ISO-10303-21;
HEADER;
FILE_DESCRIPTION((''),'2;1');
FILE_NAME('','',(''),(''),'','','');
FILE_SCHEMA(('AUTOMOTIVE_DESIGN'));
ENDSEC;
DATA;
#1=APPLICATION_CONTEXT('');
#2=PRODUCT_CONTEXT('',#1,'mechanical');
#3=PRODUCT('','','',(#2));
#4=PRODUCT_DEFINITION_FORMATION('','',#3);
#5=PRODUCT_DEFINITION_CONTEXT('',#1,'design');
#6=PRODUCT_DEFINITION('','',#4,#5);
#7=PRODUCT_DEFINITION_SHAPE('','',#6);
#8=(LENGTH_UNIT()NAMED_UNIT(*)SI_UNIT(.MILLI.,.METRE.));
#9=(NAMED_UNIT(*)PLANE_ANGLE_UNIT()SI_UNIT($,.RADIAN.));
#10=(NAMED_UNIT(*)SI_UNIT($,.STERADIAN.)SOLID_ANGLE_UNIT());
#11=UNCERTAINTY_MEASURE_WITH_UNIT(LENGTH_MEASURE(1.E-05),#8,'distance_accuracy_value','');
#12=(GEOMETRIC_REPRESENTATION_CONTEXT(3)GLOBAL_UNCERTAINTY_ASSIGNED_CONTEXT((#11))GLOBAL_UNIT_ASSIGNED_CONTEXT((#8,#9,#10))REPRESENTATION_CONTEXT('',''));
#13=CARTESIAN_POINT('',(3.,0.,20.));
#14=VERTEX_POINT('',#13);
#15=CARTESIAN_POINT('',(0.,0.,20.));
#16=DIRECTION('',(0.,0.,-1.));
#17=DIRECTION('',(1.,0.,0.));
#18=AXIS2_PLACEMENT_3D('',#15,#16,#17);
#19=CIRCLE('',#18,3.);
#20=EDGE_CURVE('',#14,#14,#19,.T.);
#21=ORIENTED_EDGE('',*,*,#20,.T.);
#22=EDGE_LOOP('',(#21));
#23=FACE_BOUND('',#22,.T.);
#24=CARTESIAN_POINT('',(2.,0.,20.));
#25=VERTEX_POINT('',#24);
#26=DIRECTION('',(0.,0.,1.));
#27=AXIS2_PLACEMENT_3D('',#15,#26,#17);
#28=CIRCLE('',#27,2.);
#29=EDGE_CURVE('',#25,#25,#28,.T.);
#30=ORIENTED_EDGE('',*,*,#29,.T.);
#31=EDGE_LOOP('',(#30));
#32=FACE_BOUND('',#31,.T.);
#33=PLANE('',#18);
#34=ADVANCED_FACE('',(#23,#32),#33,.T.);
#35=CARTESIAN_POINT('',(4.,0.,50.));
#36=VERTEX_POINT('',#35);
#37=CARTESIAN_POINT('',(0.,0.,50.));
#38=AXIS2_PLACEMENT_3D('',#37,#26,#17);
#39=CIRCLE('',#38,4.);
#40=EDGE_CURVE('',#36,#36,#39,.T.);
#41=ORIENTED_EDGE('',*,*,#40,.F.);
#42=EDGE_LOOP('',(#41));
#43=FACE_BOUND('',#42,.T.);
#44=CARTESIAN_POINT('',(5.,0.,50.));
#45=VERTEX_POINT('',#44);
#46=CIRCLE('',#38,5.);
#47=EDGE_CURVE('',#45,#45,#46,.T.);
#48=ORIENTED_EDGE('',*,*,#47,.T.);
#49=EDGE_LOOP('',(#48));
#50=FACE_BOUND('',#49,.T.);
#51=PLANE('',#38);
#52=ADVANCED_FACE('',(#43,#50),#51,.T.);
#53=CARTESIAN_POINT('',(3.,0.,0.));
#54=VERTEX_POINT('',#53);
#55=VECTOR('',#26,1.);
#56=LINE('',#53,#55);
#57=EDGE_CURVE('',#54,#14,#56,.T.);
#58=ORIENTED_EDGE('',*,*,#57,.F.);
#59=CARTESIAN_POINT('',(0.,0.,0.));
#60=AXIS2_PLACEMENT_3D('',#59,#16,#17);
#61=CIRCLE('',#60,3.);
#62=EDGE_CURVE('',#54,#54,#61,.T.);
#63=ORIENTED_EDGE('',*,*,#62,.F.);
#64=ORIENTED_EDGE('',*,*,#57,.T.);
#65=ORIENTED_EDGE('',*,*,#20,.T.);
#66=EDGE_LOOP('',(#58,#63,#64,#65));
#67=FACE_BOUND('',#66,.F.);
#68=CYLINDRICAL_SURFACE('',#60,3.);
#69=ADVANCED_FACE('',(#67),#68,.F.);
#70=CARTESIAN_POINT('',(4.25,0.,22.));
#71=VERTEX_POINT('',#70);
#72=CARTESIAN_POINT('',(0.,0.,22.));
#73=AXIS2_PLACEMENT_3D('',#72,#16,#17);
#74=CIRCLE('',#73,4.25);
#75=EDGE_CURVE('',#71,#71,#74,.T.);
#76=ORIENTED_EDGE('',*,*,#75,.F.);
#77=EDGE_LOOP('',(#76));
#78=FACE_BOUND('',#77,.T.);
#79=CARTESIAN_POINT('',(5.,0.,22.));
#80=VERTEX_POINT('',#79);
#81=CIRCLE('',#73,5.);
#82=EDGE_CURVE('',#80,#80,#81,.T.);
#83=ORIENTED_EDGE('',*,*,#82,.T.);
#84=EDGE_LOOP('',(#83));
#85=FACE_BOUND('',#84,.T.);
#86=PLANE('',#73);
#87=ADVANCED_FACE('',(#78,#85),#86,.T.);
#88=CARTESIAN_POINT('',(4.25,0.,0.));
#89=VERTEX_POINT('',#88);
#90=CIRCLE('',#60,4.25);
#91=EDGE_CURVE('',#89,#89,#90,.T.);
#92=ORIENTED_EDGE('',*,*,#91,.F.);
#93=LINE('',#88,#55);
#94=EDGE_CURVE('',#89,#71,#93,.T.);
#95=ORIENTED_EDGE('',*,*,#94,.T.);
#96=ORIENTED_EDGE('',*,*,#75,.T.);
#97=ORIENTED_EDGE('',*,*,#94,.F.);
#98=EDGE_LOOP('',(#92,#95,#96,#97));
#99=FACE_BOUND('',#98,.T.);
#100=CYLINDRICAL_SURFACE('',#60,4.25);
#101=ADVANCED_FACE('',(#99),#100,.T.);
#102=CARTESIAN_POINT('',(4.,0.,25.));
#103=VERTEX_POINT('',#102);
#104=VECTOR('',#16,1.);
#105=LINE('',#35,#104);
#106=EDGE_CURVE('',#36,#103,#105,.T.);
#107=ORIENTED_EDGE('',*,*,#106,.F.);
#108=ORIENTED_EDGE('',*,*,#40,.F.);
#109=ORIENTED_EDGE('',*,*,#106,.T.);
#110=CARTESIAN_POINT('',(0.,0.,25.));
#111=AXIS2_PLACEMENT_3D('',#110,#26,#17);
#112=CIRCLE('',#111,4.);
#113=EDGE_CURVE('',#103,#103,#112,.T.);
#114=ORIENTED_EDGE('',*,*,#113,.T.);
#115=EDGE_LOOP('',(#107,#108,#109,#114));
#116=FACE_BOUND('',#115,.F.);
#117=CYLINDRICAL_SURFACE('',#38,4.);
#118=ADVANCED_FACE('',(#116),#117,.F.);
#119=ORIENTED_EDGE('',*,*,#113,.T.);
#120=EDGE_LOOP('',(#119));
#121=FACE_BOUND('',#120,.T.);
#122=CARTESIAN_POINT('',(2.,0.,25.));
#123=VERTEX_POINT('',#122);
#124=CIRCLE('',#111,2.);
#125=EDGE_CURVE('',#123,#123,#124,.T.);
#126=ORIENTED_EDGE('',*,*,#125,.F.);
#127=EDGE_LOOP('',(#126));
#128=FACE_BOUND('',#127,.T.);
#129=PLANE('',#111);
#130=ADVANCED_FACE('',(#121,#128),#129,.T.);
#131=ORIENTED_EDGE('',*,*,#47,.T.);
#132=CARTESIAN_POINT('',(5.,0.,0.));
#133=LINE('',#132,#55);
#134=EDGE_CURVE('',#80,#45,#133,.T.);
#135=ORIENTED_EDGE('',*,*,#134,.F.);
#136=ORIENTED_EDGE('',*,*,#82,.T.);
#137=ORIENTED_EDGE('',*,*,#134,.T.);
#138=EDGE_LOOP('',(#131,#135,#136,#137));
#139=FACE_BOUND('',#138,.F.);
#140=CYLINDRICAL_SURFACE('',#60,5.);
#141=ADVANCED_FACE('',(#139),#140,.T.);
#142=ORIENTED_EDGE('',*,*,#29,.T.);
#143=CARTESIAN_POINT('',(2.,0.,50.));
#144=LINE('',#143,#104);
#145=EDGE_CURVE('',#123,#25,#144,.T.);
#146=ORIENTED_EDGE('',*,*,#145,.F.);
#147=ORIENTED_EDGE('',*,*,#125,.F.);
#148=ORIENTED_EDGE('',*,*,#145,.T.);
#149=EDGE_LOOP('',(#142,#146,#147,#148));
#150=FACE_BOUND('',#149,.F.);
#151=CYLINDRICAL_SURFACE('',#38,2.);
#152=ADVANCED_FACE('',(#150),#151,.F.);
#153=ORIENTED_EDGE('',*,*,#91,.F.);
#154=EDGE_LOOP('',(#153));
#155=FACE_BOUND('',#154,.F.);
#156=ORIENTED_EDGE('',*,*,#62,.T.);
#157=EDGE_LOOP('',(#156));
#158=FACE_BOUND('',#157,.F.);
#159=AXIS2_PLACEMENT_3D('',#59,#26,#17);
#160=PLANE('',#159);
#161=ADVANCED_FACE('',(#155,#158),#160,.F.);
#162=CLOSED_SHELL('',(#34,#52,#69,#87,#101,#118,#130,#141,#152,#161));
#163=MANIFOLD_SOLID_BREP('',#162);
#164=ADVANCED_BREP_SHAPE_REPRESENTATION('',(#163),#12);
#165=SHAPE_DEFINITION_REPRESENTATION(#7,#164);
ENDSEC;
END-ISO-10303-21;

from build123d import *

# Parameters (mm, degrees)
SKETCH_R        = 5
PAD_DEPTH       = 50
SKETCH001_R     = 2
POCKET_DEPTH    = 50.001
SKETCH002_R     = 4
POCKET001_DEPTH = 25
SKETCH003_R     = 3
POCKET002_DEPTH = 20
SKETCH004_R     = 5
SKETCH004_R_2   = 4.25
POCKET003_DEPTH = 22


with BuildPart() as part:
    # Sketch → Pad (new body)
    with BuildSketch(Plane.XY):
        Circle(SKETCH_R)
    extrude(amount=PAD_DEPTH)

    # Sketch001 → Pocket (cut, through all)
    with BuildSketch(Plane.XY.offset(50)):
        Circle(SKETCH001_R)
    extrude(amount=-POCKET_DEPTH, mode=Mode.SUBTRACT)

    # Sketch002 → Pocket001 (cut)
    with BuildSketch(Plane.XY.offset(50)):
        Circle(SKETCH002_R)
    extrude(amount=-POCKET001_DEPTH, mode=Mode.SUBTRACT)

    # Sketch003 → Pocket002 (cut)
    with BuildSketch(Plane(origin=(0, 0, 0), x_dir=(1, 0, 0), z_dir=(0, 0, -1))):
        Circle(SKETCH003_R)
    extrude(amount=-POCKET002_DEPTH, mode=Mode.SUBTRACT)

    # Sketch004 → Pocket003 (cut)
    with BuildSketch(Plane(origin=(0, 0, 0), x_dir=(1, 0, 0), z_dir=(0, 0, -1))):
        Circle(SKETCH004_R)
        Circle(SKETCH004_R_2, mode=Mode.SUBTRACT)
    extrude(amount=-POCKET003_DEPTH, mode=Mode.SUBTRACT)


solid = part.part
